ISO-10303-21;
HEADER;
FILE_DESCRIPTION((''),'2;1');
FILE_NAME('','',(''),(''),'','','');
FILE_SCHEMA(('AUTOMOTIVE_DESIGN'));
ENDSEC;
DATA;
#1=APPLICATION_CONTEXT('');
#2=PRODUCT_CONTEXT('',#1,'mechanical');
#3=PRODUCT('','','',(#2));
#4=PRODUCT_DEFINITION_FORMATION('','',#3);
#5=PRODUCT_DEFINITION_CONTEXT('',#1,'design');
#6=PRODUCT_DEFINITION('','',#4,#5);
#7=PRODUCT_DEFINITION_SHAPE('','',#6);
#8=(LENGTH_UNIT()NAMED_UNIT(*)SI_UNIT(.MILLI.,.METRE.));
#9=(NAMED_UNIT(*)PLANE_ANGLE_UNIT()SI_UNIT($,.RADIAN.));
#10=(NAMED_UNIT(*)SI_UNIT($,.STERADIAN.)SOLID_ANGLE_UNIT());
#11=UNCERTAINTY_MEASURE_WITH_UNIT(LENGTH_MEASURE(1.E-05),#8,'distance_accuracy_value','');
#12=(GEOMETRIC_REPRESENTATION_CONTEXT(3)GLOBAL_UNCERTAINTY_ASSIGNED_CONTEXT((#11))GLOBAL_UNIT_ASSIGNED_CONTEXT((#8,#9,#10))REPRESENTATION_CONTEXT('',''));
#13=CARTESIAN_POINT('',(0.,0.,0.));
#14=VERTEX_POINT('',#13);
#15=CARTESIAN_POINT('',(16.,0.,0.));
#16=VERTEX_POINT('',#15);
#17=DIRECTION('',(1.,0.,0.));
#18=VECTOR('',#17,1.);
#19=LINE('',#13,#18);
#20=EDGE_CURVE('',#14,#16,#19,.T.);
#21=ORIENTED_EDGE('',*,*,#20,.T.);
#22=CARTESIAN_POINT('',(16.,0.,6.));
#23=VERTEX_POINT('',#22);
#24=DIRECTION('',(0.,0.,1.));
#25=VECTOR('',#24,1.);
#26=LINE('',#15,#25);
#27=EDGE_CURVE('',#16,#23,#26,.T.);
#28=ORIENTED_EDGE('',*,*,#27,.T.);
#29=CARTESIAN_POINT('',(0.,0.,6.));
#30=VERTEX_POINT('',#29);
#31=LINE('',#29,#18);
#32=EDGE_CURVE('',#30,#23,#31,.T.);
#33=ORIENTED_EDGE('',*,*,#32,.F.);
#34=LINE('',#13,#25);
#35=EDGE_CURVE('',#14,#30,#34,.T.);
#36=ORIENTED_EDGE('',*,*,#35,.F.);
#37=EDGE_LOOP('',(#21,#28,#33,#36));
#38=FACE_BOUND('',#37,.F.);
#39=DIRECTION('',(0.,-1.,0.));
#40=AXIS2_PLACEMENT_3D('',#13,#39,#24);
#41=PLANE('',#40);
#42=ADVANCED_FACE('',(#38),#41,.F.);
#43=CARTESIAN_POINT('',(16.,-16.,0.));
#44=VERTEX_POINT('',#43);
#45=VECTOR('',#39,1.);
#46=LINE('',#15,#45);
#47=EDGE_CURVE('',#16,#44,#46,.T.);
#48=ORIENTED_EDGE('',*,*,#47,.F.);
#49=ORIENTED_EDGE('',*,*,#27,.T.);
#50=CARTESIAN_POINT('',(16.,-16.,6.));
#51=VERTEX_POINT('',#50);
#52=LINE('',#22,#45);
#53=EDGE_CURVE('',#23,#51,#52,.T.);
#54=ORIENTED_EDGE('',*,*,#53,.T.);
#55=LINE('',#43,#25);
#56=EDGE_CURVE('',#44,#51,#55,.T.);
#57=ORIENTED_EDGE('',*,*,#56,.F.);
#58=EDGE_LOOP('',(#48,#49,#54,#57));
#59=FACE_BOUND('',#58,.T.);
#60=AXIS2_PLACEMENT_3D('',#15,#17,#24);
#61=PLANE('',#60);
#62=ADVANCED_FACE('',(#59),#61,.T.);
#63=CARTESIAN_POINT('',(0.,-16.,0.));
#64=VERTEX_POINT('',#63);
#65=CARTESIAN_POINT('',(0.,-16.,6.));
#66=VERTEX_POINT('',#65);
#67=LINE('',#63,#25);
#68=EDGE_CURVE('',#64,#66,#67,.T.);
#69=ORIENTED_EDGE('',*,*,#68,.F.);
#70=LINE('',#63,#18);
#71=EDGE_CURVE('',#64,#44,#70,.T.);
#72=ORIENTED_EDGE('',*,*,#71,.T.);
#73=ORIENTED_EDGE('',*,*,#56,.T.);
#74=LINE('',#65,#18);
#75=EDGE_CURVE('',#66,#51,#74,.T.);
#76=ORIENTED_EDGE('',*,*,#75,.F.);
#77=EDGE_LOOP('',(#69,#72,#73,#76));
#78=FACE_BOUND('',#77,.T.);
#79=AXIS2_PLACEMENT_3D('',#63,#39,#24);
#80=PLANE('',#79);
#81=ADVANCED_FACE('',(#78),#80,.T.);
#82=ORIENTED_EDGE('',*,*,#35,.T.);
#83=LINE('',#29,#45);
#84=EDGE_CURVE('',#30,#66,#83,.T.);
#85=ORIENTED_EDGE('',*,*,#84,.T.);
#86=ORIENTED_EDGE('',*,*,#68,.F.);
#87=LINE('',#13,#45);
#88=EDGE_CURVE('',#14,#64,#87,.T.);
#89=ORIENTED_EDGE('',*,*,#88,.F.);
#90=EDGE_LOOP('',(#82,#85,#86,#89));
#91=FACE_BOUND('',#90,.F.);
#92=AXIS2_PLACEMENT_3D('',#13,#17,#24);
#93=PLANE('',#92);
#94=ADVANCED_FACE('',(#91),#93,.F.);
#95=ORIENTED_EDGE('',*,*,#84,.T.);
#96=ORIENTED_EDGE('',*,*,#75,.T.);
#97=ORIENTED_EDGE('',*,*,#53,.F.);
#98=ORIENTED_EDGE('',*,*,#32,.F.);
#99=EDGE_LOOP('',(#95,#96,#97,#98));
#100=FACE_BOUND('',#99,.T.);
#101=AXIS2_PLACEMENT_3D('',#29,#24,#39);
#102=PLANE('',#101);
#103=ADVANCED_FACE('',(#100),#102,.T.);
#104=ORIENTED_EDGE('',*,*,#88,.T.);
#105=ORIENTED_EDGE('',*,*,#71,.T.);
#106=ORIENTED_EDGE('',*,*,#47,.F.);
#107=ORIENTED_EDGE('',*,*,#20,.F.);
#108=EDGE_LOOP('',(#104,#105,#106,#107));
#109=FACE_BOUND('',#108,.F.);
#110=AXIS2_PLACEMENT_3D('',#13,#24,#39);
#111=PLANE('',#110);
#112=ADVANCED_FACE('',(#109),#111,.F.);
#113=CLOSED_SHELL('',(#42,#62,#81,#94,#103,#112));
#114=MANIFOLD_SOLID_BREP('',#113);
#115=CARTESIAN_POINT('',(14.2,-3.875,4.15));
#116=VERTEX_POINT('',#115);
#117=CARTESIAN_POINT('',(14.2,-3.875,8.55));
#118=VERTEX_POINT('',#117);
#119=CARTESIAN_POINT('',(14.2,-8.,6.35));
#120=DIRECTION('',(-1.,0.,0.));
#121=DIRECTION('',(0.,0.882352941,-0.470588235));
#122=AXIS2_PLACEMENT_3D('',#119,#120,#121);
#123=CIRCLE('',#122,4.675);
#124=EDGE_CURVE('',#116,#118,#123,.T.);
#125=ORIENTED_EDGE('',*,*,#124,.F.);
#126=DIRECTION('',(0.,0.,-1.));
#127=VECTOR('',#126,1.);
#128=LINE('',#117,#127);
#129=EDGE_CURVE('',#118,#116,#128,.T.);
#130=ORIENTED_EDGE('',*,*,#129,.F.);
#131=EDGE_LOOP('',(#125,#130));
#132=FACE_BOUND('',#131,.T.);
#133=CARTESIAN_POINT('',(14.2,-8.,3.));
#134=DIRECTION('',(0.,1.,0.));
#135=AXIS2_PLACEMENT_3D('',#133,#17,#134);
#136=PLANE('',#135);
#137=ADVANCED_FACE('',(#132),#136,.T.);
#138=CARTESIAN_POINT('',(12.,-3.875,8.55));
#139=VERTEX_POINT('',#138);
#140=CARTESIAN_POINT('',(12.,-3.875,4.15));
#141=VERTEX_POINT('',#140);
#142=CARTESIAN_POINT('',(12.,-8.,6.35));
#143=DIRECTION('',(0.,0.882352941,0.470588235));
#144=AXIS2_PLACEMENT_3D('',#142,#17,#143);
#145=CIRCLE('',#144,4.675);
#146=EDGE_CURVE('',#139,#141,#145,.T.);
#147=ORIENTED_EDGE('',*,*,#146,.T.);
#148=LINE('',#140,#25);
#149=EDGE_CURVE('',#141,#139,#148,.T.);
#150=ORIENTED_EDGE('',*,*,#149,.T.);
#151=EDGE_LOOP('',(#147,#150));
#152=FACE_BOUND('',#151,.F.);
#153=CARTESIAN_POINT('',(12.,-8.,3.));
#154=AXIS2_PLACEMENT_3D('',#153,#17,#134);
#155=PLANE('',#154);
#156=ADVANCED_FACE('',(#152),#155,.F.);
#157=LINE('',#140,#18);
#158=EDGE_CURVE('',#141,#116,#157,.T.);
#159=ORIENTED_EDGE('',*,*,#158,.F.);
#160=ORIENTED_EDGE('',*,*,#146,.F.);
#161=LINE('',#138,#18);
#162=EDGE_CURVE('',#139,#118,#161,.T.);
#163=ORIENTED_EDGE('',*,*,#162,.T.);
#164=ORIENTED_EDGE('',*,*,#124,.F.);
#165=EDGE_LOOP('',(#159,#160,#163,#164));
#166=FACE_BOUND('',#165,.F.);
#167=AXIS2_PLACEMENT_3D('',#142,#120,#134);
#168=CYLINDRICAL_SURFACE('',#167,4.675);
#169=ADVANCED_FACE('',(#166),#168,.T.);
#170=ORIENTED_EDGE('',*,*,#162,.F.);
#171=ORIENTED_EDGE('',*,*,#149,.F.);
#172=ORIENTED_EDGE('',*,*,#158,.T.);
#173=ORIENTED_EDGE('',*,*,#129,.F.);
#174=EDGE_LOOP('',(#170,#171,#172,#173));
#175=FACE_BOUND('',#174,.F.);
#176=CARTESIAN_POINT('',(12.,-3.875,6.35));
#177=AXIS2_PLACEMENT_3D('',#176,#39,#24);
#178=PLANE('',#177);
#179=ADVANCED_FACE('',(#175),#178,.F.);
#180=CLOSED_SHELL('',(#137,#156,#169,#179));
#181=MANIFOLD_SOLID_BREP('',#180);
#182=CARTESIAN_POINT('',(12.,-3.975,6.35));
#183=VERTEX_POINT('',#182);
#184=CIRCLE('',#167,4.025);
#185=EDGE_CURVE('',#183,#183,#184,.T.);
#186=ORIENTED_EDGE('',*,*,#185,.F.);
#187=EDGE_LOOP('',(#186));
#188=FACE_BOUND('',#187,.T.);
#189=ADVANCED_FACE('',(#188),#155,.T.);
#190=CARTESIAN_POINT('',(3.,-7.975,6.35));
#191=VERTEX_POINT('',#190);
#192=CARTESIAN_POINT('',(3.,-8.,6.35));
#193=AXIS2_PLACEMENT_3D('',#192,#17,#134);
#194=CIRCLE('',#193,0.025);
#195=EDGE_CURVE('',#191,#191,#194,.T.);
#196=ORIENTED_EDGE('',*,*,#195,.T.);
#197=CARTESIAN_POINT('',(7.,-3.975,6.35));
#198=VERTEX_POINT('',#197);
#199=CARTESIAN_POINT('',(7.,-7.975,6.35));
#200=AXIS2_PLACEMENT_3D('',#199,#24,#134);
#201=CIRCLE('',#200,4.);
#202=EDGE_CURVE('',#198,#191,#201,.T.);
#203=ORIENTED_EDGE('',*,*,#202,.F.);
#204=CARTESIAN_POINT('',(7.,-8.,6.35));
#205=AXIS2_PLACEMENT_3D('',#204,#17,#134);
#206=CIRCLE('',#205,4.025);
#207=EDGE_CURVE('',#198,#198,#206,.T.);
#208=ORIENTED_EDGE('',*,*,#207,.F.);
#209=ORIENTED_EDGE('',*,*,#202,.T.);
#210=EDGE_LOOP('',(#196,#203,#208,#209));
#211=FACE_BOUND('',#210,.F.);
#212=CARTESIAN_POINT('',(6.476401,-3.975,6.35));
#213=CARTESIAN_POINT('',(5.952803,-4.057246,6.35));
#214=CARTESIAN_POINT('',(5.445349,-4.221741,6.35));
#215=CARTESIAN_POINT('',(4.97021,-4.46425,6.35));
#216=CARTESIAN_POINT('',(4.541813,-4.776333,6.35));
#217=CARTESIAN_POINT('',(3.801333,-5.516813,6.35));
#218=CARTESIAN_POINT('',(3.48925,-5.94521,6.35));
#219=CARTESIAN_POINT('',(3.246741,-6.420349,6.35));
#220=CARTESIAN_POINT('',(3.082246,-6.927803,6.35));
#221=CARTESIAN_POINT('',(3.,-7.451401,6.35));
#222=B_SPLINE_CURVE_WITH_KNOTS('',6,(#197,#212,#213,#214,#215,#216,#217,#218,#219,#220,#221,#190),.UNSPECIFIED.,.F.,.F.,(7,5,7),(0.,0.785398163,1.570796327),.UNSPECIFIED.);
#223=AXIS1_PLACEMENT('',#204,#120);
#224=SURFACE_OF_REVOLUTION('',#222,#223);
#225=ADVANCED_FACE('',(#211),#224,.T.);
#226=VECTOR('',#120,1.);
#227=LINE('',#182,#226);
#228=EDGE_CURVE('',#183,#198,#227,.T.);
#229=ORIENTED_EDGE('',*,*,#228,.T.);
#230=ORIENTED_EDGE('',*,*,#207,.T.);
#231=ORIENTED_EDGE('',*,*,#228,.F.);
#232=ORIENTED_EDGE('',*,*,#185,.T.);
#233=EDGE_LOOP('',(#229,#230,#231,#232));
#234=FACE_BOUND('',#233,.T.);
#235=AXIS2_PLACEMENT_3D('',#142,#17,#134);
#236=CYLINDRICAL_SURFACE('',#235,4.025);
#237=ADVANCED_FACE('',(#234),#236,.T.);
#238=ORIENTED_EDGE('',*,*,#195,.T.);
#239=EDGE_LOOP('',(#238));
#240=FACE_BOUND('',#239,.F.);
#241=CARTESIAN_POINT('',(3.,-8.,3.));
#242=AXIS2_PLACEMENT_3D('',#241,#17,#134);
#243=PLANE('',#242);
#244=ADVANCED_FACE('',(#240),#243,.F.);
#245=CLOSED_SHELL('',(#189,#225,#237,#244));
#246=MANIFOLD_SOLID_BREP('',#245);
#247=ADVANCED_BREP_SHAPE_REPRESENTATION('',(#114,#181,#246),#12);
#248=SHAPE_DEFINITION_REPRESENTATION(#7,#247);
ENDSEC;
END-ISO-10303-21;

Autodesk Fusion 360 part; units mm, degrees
box "BoxPrimitive1" add length 16 width 16 height 6 placed x (0, -1, 0) y (1, 0, 0) z (0, 0, 1) at (0, 0, 0) makes body 1
ref_plane "WorkPlane1" through (12, -8, 3) normal (1, 0, 0) x (0, 0, 1)
sketch "Sketch7" plane through (12, -8, 3) normal (1, 0, 0) x (0, 1, 0)
  line L0 (0, 0) -> (0, 3.35)
  circle A0 centre (0, 3.35) radius 4.675
  line L1 (-4.675, 3.35) -> (4.125, 3.35)
  line L2 (4.125, 3.35) -> (4.125, 1.15)
  line L3 (4.125, 3.35) -> (4.125, 5.55)
  circle A1 centre (0, 3.35) radius 4.025
  dimension "d24" = 3.35
  dimension "d25" = 9.35
  dimension "d26" = 8.8
  dimension "d29" = 8.05
extrude "Extrude6" add sketch "Sketch7" along normal blind 2.2 separate body contours A0 L1 L3 A1 | A0 L1 L2 A1 | L1 A1 | L1 A1 makes body 2
extrude "Extrude7" add sketch "Sketch7" against normal blind 9 separate body contours L1 A1 | L1 A1 makes body 3
fillet "Fillet4" radius 4 1 edges at (3, -11.7526, 7.8055) on bodies 3
